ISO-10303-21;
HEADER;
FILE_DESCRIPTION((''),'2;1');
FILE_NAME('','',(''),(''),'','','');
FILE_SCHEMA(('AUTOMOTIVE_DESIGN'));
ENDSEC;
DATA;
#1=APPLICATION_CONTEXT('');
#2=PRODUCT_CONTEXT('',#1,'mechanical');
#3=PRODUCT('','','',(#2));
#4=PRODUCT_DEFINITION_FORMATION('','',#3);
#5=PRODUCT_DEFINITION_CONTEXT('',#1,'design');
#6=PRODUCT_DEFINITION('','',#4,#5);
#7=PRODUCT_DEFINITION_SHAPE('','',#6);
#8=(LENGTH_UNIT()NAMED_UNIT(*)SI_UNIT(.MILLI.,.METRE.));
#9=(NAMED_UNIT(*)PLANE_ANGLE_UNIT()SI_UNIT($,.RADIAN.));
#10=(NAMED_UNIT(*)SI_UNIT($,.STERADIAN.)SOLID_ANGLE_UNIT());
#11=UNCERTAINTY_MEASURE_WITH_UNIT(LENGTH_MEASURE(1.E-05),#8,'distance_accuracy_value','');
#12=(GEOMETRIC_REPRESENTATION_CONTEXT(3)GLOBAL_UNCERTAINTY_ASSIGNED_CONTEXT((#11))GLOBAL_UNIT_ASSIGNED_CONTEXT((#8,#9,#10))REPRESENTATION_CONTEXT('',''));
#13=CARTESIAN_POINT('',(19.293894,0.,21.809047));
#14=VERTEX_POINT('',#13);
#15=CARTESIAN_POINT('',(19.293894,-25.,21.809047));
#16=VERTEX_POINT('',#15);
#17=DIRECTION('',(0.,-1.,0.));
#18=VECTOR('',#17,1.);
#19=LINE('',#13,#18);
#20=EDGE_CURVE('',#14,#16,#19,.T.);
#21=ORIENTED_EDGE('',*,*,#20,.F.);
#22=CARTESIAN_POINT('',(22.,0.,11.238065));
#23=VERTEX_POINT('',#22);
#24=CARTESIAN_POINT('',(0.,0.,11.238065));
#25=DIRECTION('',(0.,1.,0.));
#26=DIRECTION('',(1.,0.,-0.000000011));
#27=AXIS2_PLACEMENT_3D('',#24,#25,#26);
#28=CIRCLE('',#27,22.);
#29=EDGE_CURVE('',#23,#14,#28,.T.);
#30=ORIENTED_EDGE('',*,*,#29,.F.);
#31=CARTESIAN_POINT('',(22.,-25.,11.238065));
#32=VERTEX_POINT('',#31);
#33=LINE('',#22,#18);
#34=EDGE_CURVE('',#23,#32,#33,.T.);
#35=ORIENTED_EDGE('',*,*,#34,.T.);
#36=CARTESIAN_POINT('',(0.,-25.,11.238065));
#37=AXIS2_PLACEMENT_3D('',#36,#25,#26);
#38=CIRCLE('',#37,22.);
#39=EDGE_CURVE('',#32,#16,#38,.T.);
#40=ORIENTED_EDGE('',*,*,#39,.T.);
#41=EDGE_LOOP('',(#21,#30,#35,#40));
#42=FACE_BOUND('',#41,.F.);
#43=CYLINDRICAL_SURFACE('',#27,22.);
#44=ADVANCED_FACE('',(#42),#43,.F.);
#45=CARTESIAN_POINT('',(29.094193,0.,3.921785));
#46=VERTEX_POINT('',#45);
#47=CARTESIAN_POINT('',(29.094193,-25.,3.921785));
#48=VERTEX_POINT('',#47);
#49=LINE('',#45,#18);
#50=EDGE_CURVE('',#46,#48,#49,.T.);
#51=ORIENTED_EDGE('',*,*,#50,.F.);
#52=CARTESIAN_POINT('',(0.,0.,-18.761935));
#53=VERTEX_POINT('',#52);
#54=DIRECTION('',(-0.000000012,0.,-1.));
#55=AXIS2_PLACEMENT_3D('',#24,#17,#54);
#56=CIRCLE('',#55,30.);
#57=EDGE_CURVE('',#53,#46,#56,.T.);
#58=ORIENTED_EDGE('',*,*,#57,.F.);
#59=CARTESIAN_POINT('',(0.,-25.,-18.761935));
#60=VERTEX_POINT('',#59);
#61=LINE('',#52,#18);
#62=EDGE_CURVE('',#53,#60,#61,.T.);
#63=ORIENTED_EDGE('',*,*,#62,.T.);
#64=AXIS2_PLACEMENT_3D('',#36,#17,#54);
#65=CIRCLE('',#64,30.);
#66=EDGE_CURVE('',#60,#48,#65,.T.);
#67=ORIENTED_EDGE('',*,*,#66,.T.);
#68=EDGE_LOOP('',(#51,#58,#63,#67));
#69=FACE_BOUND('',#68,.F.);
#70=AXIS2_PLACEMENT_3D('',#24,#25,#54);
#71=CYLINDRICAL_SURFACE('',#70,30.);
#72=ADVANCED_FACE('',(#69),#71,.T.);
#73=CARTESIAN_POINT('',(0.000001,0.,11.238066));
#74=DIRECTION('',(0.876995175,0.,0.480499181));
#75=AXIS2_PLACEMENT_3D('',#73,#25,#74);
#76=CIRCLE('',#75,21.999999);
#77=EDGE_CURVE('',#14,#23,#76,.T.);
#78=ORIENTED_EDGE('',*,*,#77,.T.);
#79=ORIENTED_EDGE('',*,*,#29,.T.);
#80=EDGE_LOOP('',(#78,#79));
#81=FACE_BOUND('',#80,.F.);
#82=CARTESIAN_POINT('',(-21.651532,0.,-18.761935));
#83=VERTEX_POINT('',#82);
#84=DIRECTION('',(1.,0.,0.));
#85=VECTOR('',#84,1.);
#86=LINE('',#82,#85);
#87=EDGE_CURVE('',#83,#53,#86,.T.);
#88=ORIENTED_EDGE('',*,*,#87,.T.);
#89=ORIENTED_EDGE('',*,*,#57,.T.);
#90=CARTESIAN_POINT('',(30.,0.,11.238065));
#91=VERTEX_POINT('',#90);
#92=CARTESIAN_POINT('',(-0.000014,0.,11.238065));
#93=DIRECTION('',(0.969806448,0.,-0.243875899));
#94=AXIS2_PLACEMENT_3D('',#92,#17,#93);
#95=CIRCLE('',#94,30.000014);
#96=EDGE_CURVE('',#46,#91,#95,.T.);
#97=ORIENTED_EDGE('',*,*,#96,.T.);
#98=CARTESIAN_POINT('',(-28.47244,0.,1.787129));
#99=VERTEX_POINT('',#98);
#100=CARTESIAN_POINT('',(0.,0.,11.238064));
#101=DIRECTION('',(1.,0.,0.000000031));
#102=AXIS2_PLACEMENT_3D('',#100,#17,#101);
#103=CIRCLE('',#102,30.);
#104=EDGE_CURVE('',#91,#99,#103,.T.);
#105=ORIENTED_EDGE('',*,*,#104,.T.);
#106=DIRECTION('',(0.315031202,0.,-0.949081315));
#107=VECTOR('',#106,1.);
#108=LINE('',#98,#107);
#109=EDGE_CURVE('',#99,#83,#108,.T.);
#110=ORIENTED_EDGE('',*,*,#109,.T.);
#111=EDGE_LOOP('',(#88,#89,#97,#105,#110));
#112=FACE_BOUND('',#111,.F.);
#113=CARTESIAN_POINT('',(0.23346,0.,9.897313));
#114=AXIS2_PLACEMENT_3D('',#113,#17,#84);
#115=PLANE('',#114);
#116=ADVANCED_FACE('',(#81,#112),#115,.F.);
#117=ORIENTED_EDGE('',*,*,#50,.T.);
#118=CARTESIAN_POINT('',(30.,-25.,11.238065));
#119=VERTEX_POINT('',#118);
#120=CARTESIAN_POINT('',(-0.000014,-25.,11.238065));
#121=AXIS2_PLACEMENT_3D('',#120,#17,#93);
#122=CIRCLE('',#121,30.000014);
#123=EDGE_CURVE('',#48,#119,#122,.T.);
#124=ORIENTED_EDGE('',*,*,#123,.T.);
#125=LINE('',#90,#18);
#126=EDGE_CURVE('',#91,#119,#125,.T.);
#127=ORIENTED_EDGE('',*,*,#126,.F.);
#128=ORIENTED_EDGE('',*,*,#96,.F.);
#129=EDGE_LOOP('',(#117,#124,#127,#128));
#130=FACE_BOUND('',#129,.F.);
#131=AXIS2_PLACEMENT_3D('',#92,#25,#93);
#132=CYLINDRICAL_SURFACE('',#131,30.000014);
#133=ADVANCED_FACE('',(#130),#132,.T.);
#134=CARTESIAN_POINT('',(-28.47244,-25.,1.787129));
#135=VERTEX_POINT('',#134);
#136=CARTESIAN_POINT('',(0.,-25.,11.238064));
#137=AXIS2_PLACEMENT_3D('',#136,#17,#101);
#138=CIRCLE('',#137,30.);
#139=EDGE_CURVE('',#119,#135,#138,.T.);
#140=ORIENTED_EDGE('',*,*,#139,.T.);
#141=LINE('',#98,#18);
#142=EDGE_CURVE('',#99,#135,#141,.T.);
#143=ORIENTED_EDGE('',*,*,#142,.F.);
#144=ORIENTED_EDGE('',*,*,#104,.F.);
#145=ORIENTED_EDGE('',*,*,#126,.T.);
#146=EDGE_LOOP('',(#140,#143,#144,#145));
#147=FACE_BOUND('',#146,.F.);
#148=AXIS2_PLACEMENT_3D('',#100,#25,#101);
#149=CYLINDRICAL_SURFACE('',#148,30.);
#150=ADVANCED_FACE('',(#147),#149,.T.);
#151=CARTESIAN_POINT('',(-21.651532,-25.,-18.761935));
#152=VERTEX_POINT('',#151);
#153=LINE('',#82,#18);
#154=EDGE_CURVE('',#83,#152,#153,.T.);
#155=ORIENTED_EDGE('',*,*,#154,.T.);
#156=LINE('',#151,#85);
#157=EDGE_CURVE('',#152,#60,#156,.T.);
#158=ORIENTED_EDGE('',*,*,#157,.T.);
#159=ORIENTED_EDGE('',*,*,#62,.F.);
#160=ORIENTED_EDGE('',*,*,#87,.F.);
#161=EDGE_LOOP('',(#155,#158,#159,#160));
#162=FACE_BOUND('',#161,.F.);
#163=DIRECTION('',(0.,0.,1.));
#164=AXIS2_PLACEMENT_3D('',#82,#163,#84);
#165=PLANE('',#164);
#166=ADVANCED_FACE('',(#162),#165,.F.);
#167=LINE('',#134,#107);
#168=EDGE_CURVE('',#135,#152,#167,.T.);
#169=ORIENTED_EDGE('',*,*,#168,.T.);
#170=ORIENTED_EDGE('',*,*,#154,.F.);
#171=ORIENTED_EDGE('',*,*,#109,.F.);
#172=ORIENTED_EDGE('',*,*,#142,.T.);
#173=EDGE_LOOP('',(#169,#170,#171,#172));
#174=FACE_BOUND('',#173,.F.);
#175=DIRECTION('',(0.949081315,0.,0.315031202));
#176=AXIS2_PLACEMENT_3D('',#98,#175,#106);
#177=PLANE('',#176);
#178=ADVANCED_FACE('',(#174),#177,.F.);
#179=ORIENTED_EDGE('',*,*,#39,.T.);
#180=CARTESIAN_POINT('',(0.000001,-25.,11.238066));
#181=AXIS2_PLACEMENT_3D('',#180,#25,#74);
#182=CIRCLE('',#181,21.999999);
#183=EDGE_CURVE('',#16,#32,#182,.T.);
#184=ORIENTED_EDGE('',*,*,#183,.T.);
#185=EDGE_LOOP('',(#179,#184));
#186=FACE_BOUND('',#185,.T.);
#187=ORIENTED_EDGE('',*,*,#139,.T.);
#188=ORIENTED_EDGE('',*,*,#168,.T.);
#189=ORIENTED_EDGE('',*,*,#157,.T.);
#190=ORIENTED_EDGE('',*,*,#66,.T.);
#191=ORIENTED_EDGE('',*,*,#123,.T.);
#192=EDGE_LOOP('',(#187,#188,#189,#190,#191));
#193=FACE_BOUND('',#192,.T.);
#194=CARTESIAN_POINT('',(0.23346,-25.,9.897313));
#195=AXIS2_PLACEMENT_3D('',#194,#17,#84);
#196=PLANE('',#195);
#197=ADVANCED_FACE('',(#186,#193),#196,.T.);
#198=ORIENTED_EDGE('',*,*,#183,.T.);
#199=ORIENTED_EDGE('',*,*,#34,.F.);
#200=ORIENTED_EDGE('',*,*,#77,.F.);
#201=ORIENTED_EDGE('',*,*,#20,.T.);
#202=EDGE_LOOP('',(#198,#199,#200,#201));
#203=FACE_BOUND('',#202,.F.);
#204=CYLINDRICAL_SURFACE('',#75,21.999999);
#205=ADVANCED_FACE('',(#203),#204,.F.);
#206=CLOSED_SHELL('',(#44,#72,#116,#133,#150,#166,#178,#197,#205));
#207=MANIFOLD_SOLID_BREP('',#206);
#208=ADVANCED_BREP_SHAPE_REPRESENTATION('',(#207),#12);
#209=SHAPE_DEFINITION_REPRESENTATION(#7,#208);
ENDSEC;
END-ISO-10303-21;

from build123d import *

# Parameters (mm, degrees)
F1_DEPTH = 25


with BuildPart() as f1:
    # F0 (on Front) → F1 (new body)
    with BuildSketch(Plane.XZ):
        with BuildLine():
            ThreePointArc((29.094193, 3.921785), (29.772687, 7.551995), (30, 11.238065))
            ThreePointArc((30, 11.238065), (-4.786795, 40.853712), (-28.47244, 1.787129))
            ThreePointArc((-28.47244, 1.787129), (-17.55665, -13.088136), (0, -18.761935))
            ThreePointArc((0, -18.761935), (18.446024, -12.420849), (29.094193, 3.921785))
        make_face()
        with BuildLine():
            ThreePointArc((22, 11.238065), (-21.312739, 5.782135), (19.293894, 21.809047))
            ThreePointArc((19.293894, 21.809047), (21.312739, 16.693994), (22, 11.238065))
        make_face(mode=Mode.SUBTRACT)
        with BuildLine():
            ThreePointArc((0, -18.761935), (-17.55665, -13.088136), (-28.47244, 1.787129))
            Line((-28.47244, 1.787129), (-21.651532, -18.761935))
            Line((-21.651532, -18.761935), (0, -18.761935))
        make_face()
    extrude(amount=F1_DEPTH)


solid = f1.part
